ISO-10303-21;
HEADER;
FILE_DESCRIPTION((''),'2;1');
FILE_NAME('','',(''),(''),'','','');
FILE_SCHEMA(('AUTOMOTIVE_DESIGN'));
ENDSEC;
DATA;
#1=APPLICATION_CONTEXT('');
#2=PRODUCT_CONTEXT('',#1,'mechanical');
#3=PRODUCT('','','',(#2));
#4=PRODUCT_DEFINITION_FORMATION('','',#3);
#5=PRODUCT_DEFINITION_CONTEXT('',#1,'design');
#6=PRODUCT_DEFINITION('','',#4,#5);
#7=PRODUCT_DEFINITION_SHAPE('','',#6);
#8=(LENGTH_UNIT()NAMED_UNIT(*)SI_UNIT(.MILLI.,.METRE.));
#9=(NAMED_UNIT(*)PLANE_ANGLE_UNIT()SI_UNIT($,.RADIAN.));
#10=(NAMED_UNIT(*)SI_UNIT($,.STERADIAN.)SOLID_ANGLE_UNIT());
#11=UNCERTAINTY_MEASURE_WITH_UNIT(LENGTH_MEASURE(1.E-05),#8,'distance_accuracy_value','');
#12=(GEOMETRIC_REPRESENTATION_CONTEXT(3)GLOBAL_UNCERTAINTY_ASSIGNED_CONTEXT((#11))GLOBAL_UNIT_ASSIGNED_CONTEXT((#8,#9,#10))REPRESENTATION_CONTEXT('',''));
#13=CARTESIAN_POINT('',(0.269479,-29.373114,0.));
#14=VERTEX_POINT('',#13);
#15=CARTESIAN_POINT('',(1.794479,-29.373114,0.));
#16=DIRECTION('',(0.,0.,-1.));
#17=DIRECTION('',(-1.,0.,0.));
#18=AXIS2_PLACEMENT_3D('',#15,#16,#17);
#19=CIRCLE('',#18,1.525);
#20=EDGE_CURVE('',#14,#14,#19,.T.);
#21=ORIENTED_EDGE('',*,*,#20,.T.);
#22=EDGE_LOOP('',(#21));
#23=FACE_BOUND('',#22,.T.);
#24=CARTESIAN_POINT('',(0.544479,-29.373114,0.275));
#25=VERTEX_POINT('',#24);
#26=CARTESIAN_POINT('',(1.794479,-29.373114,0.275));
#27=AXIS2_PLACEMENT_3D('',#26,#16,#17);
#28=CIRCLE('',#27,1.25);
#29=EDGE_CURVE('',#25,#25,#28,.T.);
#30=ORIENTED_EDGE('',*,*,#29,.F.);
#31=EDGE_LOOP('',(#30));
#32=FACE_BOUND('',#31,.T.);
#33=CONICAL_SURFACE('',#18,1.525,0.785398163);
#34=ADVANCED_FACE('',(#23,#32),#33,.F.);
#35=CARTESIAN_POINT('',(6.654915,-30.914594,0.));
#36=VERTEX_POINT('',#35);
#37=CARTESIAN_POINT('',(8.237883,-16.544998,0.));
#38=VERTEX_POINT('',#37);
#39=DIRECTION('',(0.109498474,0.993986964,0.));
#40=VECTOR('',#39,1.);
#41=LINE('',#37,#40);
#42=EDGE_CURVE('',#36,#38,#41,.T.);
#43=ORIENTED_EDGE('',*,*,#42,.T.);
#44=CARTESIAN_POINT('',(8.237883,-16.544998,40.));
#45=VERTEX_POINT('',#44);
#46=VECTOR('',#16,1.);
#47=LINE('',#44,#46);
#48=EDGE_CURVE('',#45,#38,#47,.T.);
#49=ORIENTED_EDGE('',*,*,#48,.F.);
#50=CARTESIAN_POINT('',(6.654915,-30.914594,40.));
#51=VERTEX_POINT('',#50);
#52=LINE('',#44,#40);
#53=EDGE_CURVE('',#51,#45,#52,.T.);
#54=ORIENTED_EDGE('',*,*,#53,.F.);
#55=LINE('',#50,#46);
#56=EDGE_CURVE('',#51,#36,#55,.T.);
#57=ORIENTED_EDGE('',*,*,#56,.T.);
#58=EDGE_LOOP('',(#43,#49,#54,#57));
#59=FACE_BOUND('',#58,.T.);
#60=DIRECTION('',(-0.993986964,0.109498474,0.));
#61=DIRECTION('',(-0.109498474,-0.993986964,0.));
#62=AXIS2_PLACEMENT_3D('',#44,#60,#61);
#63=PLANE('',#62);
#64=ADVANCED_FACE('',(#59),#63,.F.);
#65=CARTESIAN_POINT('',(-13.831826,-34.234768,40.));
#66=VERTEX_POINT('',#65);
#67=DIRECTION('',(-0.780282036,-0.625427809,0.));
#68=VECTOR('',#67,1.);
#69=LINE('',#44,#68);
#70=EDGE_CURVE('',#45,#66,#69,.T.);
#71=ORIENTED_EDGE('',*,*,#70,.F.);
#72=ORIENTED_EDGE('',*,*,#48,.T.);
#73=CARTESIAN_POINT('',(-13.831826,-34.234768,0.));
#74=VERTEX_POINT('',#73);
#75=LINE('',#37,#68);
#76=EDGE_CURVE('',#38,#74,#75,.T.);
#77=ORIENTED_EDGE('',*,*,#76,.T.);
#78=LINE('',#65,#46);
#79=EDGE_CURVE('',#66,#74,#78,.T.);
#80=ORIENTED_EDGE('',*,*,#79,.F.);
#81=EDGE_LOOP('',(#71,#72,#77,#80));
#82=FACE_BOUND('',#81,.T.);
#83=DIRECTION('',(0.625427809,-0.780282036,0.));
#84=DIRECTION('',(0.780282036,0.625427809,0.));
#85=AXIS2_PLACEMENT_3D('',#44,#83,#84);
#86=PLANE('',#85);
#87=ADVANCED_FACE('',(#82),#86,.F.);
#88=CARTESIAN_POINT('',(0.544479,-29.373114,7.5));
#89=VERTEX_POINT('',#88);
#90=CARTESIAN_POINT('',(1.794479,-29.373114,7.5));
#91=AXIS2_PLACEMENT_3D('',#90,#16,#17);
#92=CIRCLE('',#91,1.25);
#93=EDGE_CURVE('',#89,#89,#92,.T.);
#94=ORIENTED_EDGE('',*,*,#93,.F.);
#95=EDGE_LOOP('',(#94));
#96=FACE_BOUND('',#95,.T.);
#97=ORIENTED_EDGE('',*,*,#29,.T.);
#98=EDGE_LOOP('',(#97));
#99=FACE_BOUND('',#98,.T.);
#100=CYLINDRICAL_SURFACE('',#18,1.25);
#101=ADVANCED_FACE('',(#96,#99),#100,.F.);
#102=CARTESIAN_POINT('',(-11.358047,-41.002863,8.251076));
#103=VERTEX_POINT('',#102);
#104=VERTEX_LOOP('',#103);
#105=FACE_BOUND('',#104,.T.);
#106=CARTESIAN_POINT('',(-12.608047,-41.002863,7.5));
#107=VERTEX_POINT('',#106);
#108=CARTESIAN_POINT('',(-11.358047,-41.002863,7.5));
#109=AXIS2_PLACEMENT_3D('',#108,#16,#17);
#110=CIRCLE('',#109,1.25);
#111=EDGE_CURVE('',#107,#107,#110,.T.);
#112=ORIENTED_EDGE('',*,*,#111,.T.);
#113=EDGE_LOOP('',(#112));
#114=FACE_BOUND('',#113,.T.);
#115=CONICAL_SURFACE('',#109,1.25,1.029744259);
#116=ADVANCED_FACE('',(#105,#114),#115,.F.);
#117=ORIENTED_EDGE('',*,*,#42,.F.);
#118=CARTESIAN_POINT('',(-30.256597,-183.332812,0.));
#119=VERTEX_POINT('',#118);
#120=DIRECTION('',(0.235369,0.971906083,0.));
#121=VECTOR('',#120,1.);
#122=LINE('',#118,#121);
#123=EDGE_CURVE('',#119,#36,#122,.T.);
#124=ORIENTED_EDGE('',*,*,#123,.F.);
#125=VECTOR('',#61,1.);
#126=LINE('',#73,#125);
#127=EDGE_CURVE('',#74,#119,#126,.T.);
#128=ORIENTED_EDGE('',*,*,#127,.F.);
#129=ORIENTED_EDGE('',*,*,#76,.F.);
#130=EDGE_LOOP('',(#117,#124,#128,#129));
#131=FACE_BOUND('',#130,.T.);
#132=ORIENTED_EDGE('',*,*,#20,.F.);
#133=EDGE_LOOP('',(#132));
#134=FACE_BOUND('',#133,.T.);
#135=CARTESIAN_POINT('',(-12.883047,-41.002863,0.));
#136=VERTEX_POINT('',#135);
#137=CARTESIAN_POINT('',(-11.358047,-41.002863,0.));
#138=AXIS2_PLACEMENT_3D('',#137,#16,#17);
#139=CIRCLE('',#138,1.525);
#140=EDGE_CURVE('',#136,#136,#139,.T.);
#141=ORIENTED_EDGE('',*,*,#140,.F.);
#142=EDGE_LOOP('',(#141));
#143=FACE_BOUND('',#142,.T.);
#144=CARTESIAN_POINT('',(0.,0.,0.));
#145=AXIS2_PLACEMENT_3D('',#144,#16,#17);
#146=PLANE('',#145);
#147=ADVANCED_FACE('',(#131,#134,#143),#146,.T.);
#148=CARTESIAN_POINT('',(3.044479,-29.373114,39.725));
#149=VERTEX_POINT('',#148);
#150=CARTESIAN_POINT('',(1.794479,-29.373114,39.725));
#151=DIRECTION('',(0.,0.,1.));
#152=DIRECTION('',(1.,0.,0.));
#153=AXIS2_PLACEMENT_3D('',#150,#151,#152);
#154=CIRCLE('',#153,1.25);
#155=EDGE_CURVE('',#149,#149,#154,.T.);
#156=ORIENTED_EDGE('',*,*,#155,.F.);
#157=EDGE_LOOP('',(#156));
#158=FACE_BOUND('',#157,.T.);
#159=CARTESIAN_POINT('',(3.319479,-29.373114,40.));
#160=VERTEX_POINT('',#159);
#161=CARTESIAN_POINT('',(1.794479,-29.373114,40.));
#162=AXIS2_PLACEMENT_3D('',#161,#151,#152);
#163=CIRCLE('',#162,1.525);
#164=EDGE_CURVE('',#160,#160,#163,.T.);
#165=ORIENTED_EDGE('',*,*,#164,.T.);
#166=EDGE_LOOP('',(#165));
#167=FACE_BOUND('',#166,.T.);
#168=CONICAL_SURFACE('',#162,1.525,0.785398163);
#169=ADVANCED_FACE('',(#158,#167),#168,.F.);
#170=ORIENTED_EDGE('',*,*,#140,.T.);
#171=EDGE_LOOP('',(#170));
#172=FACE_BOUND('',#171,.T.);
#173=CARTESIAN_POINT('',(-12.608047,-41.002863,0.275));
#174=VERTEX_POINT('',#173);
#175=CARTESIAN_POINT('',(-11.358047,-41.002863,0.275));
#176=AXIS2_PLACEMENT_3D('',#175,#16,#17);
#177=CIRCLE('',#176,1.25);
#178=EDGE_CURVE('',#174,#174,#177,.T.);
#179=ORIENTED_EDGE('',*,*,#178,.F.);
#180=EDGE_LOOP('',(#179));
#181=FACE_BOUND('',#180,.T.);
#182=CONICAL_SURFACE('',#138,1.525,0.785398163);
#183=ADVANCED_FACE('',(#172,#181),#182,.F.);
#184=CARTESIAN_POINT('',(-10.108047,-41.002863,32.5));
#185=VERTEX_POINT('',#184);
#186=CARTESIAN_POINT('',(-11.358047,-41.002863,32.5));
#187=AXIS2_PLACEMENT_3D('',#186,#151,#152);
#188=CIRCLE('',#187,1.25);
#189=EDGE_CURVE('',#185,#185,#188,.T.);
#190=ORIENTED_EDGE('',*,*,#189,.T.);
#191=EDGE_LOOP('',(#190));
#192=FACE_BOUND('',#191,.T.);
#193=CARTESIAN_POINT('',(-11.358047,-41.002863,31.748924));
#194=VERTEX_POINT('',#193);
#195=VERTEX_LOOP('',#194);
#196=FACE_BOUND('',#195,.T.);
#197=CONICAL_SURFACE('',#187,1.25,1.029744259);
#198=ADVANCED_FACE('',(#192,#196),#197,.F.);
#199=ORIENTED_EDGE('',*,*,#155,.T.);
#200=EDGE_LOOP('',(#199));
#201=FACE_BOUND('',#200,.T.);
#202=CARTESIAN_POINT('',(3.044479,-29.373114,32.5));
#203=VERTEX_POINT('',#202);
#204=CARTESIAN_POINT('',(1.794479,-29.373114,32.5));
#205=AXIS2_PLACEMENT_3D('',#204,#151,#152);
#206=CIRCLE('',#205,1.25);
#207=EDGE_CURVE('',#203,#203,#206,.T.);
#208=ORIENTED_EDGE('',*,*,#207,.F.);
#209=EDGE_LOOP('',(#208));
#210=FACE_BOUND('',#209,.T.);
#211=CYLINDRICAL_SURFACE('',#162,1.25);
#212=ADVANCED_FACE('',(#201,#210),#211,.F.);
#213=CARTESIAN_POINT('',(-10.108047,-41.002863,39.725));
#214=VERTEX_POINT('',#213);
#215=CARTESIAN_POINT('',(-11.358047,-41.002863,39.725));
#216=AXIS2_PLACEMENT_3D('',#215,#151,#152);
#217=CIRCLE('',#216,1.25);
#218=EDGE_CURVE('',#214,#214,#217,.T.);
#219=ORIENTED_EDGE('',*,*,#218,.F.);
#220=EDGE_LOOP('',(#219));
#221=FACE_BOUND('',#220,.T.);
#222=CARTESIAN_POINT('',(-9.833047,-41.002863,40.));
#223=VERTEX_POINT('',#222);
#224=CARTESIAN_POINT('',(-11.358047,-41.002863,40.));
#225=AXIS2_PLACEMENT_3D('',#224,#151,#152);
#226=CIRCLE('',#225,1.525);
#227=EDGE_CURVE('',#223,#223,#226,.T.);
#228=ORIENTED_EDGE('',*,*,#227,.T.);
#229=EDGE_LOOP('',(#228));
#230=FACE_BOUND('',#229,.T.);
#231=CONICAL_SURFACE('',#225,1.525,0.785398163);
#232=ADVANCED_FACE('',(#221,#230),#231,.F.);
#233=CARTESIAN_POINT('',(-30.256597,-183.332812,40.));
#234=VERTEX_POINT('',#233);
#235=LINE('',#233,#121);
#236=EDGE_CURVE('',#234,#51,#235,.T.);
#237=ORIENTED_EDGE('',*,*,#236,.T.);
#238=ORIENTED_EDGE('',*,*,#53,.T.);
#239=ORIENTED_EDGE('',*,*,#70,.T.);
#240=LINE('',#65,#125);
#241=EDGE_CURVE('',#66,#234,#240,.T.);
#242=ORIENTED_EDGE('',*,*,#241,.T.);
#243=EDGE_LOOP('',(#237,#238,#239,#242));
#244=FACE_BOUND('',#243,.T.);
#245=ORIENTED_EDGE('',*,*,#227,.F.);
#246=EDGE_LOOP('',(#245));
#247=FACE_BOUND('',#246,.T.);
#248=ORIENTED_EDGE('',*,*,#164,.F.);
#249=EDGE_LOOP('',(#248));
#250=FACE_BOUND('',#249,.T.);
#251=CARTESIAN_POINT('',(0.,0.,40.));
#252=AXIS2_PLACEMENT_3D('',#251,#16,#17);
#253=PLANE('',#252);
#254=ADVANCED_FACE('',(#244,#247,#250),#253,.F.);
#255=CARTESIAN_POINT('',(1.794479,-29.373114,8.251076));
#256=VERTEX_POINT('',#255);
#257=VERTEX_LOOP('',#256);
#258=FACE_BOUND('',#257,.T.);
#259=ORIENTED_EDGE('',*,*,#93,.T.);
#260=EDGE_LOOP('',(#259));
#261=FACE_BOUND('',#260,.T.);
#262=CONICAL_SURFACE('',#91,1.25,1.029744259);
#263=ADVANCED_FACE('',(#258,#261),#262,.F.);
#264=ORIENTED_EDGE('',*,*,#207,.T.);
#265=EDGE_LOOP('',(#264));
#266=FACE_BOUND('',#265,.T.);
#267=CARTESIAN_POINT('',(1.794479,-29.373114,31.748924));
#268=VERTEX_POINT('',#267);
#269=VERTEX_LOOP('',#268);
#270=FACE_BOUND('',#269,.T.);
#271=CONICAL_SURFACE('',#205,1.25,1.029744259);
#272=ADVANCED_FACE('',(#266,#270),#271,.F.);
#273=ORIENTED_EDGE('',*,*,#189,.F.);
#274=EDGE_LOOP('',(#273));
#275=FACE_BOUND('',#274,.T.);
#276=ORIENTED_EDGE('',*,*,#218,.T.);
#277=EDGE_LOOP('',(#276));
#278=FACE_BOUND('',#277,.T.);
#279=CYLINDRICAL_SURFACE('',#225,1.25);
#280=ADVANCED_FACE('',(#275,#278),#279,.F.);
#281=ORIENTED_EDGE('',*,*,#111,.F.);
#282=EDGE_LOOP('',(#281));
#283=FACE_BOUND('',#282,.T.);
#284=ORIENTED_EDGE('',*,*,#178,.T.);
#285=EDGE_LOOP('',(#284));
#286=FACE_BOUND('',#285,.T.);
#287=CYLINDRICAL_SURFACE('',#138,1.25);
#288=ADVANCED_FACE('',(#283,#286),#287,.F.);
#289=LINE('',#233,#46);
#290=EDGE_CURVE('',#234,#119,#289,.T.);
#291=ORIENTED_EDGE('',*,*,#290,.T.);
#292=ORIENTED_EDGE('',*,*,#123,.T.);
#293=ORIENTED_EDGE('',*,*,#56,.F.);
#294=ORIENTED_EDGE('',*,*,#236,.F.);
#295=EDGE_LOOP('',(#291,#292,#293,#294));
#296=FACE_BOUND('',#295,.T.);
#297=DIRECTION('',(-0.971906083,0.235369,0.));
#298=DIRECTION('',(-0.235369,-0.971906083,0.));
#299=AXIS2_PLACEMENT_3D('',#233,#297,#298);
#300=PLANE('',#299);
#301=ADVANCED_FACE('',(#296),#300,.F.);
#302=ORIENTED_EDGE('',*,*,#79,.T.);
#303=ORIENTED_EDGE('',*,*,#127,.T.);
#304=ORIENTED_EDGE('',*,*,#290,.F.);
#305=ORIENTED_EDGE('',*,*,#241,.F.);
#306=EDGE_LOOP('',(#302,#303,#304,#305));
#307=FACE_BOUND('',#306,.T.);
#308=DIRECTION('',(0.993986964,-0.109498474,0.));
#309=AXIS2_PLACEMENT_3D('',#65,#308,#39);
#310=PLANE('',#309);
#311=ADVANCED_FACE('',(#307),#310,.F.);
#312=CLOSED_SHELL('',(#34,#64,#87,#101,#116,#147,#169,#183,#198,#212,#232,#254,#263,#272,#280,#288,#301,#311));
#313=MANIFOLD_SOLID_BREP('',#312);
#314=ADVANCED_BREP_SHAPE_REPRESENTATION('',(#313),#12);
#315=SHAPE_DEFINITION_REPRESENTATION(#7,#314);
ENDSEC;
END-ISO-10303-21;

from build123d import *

# Parameters (mm, degrees)
EXTRUDE_1_DEPTH             = 40
HOLE_WIZARD_M3_1_AT_2_COUNT = 2
HOLE_WIZARD_M3_1_AT_2_PITCH = 17.556765078


with BuildPart() as part:
    # 草图1 → 凸台-拉伸1 (new body)
    with BuildSketch(Plane.XY):
        Polygon((8.237882641, -16.544998045), (-13.831826124, -34.234767829), (-30.256597299, -183.33281239), (6.654915402, -30.914593657), align=None)
    extrude(amount=EXTRUDE_1_DEPTH)

    # 草图5 → M3 螺纹孔1 (revolve, cut)
    with BuildSketch(Plane(origin=(-11.358047282, -41.00286285, 40), x_dir=(0, -1, 0), z_dir=(1, 0, 0))):
        Polygon((0, 0), (0, 8.251075774), (1.25, 7.5), (1.25, 0.275), (1.525, 0), align=None)
    hole_wizard_m3_1 = revolve(axis=Axis((-11.358047282, -41.00286285, 46.35), (0, 0, -1)), mode=Mode.SUBTRACT)

    # M3 螺纹孔1 at 2: M3 螺纹孔1 ×2
    with Locations(*[Vector(0.749142925, 0.662408392, 0) * (i * HOLE_WIZARD_M3_1_AT_2_PITCH) for i in range(1, HOLE_WIZARD_M3_1_AT_2_COUNT)]):
        add(hole_wizard_m3_1, mode=Mode.SUBTRACT)

    # 镜向1: M3 螺纹孔1 across plane
    add(hole_wizard_m3_1.mirror(Plane.XY.offset(20)), mode=Mode.SUBTRACT)

    # 镜向1 copy 1 sketch → 镜向1 copy 1 (revolve, cut)
    with BuildSketch(Plane(origin=(1.794479058, -29.373114321, 0), x_dir=(0, -1, 0), z_dir=(1, 0, 0))):
        Polygon((0, 0), (0, -8.251075774), (1.25, -7.5), (1.25, -0.275), (1.525, 0), align=None)
    revolve(axis=Axis((1.794479058, -29.373114321, -6.35), (0, 0, -1)), mode=Mode.SUBTRACT)


solid = part.part
